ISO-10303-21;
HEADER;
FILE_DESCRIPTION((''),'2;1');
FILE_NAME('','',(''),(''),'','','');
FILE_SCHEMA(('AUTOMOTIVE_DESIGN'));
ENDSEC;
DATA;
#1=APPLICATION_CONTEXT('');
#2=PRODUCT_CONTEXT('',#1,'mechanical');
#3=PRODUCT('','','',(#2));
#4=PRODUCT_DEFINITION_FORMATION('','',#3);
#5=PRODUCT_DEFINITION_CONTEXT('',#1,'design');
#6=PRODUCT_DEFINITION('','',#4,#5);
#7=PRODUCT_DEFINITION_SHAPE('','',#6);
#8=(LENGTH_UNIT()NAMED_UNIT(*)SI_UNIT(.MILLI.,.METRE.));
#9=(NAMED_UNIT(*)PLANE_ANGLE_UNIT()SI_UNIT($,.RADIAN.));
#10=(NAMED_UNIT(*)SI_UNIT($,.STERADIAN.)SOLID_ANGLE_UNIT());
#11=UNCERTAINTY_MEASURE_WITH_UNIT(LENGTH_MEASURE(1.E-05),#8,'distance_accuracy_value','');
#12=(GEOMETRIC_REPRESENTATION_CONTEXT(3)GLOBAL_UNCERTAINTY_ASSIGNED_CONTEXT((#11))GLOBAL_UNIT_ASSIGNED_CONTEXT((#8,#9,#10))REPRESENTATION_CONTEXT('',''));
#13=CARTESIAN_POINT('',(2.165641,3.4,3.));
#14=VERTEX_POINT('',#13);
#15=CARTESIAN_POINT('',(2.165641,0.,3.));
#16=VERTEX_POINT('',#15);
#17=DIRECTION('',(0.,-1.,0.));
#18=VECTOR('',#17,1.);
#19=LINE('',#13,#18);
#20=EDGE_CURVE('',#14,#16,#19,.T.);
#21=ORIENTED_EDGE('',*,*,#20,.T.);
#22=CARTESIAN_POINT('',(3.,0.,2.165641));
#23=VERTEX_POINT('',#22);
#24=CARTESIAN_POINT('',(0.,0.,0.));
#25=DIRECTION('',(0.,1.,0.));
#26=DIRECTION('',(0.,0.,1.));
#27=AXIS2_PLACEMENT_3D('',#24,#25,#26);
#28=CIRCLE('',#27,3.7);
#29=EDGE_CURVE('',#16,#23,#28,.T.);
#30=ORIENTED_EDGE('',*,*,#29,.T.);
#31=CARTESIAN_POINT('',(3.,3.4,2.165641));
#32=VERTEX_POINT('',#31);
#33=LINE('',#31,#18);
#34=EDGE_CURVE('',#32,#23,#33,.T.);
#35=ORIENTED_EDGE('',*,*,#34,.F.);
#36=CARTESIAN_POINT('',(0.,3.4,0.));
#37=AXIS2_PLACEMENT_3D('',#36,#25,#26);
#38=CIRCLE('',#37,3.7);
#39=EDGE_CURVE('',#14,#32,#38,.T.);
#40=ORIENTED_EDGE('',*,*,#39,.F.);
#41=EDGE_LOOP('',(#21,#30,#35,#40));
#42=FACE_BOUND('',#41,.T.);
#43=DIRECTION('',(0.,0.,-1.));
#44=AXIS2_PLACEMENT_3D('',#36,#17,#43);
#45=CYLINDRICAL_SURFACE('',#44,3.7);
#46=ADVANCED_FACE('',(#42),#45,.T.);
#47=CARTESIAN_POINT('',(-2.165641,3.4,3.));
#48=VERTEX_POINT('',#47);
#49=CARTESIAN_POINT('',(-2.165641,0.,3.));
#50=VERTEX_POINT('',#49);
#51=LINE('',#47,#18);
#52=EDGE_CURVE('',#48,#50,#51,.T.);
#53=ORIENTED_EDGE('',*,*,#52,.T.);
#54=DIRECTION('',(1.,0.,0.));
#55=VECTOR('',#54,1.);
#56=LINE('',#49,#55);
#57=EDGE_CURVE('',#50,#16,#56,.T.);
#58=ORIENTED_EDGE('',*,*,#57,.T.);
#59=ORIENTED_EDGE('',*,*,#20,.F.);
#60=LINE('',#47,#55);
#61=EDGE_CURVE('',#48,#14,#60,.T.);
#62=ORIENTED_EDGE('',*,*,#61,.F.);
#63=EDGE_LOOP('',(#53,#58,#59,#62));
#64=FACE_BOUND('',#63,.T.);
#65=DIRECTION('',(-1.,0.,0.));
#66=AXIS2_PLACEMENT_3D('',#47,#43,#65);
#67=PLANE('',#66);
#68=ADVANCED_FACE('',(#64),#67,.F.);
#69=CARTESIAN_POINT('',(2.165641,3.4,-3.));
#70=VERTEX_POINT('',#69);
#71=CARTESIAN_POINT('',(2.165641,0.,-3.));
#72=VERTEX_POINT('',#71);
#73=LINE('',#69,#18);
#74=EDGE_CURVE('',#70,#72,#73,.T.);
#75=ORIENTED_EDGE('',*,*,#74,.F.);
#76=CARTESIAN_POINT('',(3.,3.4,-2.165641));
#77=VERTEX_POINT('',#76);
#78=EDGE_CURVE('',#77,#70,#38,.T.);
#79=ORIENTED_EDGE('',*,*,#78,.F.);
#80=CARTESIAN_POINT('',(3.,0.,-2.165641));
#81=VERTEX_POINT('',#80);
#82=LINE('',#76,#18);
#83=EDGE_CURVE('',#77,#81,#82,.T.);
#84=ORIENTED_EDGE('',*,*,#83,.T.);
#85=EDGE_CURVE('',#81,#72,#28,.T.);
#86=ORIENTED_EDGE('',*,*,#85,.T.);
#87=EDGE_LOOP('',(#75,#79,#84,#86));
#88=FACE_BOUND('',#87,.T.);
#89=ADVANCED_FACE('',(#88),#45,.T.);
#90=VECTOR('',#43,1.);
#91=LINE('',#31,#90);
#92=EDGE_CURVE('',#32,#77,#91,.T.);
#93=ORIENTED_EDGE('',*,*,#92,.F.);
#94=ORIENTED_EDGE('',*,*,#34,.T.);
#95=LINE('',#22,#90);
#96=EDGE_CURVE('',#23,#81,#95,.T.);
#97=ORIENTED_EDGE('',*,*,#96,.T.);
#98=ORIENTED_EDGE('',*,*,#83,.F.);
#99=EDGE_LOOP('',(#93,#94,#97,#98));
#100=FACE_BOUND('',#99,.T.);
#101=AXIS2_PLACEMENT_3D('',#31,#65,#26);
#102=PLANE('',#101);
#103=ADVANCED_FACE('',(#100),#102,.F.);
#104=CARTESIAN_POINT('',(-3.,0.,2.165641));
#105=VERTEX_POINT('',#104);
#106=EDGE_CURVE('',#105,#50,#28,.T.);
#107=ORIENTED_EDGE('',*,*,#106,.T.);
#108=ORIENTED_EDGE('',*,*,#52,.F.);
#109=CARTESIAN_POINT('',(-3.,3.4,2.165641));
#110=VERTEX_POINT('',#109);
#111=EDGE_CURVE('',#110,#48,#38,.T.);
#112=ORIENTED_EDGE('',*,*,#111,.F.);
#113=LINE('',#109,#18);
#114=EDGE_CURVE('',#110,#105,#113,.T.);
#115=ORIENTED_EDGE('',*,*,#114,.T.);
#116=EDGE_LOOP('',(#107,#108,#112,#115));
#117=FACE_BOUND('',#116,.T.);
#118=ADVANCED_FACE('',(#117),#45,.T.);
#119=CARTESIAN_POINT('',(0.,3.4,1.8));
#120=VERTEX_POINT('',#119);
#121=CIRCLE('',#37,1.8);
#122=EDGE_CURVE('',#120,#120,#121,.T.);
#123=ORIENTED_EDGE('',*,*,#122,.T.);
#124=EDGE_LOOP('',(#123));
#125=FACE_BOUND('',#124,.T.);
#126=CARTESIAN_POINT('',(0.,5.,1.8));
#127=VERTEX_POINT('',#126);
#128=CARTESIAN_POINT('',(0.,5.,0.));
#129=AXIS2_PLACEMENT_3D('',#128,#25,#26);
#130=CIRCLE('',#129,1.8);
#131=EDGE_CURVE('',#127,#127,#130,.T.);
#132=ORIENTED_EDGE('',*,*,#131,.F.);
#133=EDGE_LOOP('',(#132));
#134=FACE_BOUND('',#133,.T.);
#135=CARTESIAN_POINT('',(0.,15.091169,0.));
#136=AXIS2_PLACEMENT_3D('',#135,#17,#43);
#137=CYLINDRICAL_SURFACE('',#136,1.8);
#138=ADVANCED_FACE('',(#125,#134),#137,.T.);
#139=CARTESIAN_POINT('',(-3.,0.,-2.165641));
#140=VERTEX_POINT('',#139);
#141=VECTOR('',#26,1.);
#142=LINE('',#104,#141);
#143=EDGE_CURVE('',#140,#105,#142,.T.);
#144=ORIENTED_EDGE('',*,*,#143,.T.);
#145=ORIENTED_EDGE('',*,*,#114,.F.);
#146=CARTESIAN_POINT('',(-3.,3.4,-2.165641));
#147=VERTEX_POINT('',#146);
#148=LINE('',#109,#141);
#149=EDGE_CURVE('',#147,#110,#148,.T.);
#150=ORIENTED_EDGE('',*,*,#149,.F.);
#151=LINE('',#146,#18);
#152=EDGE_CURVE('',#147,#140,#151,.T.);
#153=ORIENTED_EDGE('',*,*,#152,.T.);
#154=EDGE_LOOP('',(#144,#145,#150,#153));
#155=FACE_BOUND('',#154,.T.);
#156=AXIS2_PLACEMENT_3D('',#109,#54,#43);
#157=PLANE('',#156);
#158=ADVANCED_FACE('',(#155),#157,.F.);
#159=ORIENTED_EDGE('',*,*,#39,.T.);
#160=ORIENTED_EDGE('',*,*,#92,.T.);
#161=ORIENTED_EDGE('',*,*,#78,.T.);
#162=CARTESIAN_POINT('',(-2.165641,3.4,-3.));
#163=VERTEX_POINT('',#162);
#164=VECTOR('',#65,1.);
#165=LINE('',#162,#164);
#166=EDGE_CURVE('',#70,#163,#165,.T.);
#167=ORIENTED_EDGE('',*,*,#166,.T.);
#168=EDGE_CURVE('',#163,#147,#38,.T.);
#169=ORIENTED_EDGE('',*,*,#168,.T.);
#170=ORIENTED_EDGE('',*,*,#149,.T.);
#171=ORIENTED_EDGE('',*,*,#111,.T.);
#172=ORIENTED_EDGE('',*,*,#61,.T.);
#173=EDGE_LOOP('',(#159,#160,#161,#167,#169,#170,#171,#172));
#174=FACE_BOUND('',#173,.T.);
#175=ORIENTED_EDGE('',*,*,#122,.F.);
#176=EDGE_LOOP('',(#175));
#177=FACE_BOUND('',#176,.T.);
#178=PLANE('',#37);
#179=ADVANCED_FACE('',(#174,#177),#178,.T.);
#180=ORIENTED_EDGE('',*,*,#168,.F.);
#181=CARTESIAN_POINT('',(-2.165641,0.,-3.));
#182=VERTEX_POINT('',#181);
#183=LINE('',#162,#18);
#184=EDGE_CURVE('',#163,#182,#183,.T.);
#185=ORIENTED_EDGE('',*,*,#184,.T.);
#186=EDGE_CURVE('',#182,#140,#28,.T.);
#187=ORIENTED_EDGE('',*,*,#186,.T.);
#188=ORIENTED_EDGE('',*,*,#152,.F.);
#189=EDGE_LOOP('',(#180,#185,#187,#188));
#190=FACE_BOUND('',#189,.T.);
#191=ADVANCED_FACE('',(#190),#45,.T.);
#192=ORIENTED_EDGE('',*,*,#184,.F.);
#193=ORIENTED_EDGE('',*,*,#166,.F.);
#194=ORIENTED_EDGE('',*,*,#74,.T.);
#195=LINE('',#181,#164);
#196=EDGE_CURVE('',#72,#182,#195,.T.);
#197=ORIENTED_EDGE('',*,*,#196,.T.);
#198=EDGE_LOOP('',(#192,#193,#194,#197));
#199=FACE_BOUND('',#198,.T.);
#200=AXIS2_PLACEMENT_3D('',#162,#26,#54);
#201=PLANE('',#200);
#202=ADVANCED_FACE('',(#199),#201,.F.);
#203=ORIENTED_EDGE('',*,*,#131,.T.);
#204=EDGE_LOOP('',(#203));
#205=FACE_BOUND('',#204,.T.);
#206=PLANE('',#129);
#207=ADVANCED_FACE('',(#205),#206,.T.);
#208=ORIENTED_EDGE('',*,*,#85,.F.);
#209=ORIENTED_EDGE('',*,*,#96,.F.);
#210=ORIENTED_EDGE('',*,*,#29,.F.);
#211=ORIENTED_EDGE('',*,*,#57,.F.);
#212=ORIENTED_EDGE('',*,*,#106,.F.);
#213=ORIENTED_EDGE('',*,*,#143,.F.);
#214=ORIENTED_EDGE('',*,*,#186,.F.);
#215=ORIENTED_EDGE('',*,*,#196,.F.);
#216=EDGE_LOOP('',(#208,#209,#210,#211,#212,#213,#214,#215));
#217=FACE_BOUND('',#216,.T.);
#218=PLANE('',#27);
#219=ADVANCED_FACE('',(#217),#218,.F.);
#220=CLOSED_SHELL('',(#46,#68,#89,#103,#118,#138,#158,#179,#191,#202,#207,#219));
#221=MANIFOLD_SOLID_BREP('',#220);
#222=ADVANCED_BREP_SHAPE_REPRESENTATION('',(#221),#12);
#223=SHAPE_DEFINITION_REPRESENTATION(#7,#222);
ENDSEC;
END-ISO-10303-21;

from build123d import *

# Parameters (mm, degrees)
BOSS_EXTRUDE1_DEPTH = 3.4
SKETCH3_R           = 1.8
BOSS_EXTRUDE2_DEPTH = 1.6


with BuildPart() as part:
    # Sketch2 → Boss-Extrude1 (new body)
    with BuildSketch(Plane(origin=(0, 0, 0), x_dir=(1, 0, 0), z_dir=(0, 1, 0))):
        with BuildLine():
            Line((-2.165640783, -3), (2.165640783, -3))
            ThreePointArc((2.165640783, -3), (2.61629509, -2.61629509), (3, -2.165640783))
            Line((3, -2.165640783), (3, 2.165640783))
            ThreePointArc((3, 2.165640783), (2.61629509, 2.61629509), (2.165640783, 3))
            Line((2.165640783, 3), (-2.165640783, 3))
            ThreePointArc((-2.165640783, 3), (-2.61629509, 2.61629509), (-3, 2.165640783))
            Line((-3, 2.165640783), (-3, -2.165640783))
            ThreePointArc((-3, -2.165640783), (-2.61629509, -2.61629509), (-2.165640783, -3))
        make_face()
    extrude(amount=BOSS_EXTRUDE1_DEPTH)

    # Sketch3 → Boss-Extrude2 (add)
    with BuildSketch(Plane(origin=(0, 3.4, 0), x_dir=(1, 0, 0), z_dir=(0, 1, 0))):
        with Locations(Location((0, 0, 0), (0, 0, 270))):  # turned: the seam where the file's is
            Circle(SKETCH3_R)
    extrude(amount=BOSS_EXTRUDE2_DEPTH)


solid = part.part
